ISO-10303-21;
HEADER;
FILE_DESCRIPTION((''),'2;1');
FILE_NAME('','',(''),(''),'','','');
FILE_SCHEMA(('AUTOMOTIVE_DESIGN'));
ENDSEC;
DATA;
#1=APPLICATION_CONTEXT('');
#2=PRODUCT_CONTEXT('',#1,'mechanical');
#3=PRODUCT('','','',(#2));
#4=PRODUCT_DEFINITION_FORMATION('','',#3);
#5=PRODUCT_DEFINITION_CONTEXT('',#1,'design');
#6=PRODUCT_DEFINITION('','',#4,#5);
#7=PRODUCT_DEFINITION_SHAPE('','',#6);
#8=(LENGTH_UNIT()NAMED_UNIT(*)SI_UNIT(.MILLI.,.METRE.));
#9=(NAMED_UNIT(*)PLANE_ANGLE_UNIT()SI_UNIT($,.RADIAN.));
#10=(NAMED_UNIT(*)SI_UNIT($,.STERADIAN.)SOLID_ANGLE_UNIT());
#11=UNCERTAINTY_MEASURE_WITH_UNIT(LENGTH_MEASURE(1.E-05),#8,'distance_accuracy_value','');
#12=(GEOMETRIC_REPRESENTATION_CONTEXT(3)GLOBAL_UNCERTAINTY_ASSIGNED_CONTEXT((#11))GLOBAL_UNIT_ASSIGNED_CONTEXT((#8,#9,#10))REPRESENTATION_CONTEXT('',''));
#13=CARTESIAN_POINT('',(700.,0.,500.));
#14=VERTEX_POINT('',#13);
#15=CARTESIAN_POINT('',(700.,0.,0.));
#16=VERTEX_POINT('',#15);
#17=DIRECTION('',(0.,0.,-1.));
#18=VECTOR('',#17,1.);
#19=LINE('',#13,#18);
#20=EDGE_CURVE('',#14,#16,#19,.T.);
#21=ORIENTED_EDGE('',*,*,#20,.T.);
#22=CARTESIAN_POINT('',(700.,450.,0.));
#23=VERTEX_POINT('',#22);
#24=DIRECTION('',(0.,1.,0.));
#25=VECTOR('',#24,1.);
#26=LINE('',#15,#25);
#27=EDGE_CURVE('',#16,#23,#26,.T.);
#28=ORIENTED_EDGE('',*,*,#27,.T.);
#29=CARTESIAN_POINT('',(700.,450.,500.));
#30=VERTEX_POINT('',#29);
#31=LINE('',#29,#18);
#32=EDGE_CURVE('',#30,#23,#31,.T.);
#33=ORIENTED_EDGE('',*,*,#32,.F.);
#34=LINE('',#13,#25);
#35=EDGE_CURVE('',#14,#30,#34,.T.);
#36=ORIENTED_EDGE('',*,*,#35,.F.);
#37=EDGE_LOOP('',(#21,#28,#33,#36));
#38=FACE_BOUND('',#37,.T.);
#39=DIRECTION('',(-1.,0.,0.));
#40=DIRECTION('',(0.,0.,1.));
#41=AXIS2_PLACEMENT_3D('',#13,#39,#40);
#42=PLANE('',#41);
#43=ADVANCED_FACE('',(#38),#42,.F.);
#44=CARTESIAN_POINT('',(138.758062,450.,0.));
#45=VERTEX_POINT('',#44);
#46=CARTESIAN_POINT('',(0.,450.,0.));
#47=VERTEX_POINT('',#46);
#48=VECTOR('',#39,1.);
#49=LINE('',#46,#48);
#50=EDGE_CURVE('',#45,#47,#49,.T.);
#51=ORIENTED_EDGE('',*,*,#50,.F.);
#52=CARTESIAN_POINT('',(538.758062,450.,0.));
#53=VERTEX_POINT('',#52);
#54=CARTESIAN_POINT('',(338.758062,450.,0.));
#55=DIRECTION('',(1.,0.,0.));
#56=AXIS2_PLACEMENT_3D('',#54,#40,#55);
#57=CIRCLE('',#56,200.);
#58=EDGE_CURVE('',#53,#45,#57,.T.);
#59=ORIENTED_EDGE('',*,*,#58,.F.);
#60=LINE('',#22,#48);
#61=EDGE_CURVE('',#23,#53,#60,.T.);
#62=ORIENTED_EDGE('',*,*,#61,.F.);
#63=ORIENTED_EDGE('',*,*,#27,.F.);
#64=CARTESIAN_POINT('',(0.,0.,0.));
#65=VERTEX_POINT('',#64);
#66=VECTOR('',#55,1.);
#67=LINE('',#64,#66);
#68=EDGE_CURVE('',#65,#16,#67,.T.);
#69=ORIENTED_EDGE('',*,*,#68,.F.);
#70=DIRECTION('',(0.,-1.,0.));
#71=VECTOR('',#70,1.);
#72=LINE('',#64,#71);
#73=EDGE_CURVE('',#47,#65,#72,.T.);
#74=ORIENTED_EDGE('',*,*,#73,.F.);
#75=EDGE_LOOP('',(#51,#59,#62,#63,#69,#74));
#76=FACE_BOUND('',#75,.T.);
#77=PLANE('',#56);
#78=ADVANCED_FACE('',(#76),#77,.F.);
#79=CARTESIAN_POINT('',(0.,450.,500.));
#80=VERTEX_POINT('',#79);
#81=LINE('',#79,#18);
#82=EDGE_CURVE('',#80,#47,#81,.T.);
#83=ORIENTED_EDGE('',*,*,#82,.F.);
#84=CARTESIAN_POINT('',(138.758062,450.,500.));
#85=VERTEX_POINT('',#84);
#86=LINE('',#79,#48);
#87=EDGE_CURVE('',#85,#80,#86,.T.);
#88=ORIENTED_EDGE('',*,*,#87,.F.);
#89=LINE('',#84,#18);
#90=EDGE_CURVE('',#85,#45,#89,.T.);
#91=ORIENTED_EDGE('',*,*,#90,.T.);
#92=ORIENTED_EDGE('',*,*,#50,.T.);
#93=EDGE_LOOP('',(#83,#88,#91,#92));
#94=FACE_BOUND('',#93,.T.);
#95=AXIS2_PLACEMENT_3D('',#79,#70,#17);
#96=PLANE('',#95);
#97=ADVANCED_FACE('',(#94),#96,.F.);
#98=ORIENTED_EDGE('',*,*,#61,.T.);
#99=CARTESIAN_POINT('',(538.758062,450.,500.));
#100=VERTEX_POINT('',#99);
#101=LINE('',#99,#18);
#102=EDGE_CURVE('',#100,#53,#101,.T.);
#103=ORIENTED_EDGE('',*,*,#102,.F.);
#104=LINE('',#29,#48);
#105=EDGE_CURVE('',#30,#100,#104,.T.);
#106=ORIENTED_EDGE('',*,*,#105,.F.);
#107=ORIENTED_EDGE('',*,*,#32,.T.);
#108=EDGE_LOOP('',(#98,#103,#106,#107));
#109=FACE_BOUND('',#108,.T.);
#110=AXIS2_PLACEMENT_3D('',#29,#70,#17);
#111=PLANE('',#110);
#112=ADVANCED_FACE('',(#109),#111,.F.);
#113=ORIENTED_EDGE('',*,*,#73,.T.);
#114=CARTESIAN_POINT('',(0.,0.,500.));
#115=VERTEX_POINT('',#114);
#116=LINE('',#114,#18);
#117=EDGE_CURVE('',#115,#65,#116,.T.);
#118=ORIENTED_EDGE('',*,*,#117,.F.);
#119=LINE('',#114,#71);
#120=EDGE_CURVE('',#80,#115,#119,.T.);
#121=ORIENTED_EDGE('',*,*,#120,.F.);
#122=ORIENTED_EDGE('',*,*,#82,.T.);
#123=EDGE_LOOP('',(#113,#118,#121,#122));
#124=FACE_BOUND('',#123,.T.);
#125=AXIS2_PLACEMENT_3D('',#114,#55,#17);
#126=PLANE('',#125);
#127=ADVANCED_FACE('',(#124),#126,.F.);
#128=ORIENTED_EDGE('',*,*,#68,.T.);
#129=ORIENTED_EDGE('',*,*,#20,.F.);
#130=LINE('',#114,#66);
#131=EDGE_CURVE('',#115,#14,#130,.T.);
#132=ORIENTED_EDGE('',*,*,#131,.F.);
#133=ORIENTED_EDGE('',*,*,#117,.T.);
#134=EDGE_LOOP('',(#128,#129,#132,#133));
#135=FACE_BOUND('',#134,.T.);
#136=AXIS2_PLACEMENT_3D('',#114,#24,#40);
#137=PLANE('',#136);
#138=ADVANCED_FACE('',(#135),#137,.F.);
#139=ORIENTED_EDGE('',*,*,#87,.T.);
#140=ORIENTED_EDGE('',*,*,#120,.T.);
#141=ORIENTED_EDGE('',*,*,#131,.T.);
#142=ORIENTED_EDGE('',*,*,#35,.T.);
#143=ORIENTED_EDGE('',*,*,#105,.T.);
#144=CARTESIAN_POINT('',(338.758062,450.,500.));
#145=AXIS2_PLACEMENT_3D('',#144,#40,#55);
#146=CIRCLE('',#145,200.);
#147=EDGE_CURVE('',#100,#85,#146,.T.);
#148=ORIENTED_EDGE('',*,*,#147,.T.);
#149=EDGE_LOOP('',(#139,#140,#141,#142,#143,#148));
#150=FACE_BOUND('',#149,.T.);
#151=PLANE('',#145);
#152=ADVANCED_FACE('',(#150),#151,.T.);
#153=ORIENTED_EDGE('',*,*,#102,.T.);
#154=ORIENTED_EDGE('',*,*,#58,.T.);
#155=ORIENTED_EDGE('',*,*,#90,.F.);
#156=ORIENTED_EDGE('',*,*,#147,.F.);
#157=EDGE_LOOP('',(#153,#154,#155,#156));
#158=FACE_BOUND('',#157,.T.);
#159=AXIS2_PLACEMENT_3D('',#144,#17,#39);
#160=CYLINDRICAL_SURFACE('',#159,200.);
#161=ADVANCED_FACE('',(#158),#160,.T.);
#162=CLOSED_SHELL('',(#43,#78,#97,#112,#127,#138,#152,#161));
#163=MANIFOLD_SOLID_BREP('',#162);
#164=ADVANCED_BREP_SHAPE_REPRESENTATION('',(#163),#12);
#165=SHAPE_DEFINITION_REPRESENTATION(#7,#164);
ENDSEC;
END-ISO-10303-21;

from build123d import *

# Parameters (mm, degrees)
BOSS_EXTRU_1_DEPTH = 500


with BuildPart() as part:
    # Esquisse1 → Boss.-Extru.1 (new body)
    with BuildSketch(Plane.XY):
        with BuildLine():
            Line((0, 0), (700, 0))
            Line((700, 0), (700, 450))
            Line((700, 450), (538.758062097, 450))
            ThreePointArc((538.758062097, 450), (338.758062097, 650), (138.758062097, 450))
            Line((138.758062097, 450), (0, 450))
            Line((0, 450), (0, 0))
        make_face()
    extrude(amount=BOSS_EXTRU_1_DEPTH)


solid = part.part
